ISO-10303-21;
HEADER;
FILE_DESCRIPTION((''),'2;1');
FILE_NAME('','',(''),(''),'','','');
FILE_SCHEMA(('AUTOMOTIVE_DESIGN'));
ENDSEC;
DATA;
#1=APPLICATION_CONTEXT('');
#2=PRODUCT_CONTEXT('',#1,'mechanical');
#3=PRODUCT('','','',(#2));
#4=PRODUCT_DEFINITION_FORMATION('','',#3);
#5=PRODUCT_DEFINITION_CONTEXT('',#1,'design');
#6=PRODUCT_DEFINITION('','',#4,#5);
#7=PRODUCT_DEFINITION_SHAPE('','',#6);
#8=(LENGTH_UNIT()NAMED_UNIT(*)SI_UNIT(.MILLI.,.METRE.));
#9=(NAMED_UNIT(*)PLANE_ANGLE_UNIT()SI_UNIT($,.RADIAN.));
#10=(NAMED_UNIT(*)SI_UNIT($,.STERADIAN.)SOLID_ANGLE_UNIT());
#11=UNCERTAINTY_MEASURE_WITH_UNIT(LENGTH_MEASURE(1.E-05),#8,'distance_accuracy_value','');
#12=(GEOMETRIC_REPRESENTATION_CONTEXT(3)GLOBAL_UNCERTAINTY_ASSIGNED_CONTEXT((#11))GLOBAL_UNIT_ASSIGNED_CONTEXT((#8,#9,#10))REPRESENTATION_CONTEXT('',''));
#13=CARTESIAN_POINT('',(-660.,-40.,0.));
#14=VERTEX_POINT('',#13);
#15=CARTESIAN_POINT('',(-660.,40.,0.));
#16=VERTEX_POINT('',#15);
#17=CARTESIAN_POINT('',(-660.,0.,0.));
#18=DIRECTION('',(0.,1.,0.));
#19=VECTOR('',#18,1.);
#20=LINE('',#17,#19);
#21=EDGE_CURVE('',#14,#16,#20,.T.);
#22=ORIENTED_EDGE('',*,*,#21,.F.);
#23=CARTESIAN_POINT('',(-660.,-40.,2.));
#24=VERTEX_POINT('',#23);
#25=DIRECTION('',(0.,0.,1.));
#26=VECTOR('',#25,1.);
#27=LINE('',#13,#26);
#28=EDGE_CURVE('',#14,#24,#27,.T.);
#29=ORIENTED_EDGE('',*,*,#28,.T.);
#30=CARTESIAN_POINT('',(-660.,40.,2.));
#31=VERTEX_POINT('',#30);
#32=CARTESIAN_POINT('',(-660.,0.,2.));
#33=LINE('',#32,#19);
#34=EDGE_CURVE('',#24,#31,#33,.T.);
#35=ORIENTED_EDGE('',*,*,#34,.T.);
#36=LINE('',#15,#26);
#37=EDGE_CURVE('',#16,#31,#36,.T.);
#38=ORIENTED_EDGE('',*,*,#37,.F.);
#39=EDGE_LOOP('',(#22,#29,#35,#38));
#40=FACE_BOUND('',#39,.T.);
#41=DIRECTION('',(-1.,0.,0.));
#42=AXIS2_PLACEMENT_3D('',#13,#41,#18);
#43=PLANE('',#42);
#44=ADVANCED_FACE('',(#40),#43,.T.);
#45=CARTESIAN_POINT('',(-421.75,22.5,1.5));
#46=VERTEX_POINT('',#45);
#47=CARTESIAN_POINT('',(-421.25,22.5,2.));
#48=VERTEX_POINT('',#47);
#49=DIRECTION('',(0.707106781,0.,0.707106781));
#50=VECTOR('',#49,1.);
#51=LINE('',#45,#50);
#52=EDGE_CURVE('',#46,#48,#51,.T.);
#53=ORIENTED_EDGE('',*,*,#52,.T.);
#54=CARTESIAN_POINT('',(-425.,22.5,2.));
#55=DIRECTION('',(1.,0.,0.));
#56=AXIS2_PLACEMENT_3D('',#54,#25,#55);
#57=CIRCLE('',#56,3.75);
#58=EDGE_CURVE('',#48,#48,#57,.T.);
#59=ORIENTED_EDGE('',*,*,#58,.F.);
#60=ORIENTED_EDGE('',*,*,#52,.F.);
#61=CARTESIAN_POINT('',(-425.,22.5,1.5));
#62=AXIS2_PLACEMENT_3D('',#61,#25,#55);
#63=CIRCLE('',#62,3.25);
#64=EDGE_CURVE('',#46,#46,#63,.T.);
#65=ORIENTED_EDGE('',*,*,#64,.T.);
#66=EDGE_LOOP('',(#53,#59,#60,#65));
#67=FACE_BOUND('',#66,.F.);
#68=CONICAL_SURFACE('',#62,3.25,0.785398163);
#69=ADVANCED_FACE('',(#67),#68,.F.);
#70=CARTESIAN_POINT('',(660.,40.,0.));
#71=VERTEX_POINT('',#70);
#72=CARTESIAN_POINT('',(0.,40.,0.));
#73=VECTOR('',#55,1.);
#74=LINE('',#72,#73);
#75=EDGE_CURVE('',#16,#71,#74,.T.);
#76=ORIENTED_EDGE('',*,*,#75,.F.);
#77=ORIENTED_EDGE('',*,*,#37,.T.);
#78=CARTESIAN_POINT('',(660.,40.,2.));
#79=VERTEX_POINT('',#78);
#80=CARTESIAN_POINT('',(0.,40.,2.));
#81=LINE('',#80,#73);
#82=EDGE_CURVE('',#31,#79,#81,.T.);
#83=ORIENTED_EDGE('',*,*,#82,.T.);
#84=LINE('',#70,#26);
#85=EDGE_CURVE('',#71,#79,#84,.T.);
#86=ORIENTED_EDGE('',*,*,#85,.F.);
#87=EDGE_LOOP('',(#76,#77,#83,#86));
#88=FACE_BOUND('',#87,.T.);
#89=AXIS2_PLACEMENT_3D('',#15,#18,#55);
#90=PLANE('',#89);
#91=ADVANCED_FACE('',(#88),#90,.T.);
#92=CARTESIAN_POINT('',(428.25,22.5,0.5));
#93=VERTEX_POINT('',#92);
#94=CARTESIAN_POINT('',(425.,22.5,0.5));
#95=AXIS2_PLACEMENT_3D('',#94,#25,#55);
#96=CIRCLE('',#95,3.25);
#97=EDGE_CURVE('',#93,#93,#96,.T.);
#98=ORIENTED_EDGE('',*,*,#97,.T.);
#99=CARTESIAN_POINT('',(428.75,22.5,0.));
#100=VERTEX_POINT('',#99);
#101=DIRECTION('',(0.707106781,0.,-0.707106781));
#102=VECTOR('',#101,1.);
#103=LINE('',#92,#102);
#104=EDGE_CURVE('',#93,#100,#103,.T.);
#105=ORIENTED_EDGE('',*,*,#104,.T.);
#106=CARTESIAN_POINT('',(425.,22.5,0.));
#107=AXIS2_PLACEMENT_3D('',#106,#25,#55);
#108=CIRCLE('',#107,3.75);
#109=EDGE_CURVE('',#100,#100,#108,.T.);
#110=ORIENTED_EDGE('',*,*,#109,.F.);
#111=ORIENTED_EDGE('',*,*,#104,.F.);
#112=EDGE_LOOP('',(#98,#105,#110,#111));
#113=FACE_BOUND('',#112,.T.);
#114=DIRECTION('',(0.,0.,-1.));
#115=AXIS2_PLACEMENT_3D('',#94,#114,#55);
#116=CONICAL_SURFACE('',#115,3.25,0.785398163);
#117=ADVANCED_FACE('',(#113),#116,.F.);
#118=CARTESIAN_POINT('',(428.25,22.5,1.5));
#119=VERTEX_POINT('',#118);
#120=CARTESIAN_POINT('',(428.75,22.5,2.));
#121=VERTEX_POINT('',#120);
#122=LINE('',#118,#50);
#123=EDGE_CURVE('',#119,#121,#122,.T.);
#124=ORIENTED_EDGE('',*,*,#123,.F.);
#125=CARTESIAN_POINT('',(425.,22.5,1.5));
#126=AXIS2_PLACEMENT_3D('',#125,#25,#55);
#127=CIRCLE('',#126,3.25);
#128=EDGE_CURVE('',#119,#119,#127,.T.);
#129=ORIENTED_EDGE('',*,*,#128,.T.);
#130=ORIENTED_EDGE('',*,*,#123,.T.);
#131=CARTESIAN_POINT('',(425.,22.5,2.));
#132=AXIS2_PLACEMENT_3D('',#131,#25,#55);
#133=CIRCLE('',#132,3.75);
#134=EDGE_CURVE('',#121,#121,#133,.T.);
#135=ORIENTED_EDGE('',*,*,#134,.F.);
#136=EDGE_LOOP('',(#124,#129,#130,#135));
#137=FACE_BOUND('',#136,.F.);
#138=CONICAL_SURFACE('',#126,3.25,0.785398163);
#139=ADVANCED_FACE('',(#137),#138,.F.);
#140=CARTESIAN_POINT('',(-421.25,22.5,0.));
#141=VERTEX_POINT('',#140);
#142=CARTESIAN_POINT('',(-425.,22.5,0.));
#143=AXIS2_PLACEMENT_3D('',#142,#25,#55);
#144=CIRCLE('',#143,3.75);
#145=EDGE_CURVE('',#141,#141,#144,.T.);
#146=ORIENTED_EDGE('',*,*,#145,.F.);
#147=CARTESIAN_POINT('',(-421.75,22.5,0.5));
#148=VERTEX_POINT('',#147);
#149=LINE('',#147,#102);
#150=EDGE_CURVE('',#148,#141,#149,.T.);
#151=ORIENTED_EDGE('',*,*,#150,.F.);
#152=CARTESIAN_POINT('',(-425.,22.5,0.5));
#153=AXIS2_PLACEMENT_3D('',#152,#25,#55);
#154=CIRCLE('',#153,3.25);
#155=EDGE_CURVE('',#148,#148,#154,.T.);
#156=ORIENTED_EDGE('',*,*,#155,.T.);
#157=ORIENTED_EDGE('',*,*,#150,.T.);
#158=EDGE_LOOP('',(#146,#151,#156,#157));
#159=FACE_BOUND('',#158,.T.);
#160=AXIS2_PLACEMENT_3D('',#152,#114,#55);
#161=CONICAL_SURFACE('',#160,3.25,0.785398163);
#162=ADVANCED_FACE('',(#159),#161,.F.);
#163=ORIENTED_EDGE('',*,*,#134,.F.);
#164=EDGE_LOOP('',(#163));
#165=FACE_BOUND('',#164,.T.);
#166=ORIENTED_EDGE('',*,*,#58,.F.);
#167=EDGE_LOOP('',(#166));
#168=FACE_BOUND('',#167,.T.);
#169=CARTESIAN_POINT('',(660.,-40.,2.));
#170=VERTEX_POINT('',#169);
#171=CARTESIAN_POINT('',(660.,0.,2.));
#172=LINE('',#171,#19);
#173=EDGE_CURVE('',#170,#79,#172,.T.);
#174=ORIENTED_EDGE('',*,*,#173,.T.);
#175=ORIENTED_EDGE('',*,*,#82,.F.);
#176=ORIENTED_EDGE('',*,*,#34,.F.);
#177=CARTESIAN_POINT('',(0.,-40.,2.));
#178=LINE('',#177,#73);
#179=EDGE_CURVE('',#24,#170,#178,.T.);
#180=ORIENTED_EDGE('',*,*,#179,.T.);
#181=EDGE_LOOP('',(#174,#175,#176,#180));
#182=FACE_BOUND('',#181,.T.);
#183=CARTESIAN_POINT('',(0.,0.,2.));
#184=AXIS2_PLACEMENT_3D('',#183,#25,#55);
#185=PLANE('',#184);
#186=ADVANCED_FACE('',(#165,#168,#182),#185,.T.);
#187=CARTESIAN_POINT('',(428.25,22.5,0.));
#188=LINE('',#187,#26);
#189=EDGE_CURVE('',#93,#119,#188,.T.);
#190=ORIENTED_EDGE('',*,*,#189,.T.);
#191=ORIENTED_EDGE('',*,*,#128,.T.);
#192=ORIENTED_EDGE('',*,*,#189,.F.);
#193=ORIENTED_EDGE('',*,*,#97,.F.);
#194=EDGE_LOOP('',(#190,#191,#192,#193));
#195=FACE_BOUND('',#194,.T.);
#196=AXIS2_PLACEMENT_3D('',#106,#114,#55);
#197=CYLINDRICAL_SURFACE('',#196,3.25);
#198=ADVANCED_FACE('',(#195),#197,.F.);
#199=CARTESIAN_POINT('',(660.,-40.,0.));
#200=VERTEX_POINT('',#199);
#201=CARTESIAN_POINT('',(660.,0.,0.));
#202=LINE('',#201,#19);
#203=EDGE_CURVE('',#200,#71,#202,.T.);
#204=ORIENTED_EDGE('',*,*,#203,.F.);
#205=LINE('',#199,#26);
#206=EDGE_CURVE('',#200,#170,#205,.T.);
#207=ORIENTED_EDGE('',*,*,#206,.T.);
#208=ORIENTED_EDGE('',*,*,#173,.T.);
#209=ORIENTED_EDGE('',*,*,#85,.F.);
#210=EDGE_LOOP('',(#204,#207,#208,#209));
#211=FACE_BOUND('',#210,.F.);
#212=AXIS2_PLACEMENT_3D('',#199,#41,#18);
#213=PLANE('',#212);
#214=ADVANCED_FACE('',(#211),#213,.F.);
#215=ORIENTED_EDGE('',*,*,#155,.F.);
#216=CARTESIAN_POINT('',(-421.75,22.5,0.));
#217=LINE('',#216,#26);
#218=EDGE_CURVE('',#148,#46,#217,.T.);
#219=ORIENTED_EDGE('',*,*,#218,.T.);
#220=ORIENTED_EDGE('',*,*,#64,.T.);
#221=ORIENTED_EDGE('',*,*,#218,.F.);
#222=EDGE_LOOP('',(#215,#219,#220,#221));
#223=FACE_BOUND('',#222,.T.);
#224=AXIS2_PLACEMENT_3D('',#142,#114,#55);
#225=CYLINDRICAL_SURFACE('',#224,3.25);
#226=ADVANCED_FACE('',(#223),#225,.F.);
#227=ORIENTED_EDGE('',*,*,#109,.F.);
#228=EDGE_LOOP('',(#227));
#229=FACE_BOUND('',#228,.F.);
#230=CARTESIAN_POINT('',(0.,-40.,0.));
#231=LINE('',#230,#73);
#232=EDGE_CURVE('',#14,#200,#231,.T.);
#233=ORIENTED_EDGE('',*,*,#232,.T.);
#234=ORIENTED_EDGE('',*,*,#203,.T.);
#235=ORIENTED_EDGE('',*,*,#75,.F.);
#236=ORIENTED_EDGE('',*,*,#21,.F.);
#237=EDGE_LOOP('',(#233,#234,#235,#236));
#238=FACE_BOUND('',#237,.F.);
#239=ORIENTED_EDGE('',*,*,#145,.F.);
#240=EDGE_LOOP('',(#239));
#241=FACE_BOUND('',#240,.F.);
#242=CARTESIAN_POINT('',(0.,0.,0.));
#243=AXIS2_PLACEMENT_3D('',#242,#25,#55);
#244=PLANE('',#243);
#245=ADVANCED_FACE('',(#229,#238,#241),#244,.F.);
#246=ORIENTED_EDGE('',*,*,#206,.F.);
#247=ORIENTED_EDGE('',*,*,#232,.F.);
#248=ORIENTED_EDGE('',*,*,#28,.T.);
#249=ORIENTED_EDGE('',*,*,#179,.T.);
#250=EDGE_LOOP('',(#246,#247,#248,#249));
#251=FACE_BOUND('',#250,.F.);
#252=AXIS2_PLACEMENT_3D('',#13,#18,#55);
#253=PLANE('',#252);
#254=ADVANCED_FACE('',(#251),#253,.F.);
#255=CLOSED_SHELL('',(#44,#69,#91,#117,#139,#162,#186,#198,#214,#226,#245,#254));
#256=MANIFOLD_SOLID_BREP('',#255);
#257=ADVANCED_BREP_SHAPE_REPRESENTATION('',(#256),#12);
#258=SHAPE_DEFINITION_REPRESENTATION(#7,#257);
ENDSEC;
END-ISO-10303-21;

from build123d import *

# Parameters (mm, degrees)
F0_W     = 1320
F0_H     = 80
F0_R     = 3.25
F1_DEPTH = 2
F2_SIZE  = 0.5


with BuildPart() as f1:
    # F0 (on Top) → F1 (new body)
    with BuildSketch(Plane.XY):
        Rectangle(F0_W, F0_H)
        with Locations((-425, 22.5)):
            Circle(F0_R, mode=Mode.SUBTRACT)
        with Locations((425, 22.5)):
            Circle(F0_R, mode=Mode.SUBTRACT)
    extrude(amount=F1_DEPTH)

    # F2
    f2_edges = [f1.edges().sort_by_distance(p)[0] for p in [
        (-421.75, 22.5, 1),
        (-428.25, 22.5, 0),
        (-428.25, 22.5, 2),
        (428.25, 22.5, 1),
        (421.75, 22.5, 0),
        (421.75, 22.5, 2),
    ]]
    chamfer(f2_edges, length=F2_SIZE)


solid = f1.part
